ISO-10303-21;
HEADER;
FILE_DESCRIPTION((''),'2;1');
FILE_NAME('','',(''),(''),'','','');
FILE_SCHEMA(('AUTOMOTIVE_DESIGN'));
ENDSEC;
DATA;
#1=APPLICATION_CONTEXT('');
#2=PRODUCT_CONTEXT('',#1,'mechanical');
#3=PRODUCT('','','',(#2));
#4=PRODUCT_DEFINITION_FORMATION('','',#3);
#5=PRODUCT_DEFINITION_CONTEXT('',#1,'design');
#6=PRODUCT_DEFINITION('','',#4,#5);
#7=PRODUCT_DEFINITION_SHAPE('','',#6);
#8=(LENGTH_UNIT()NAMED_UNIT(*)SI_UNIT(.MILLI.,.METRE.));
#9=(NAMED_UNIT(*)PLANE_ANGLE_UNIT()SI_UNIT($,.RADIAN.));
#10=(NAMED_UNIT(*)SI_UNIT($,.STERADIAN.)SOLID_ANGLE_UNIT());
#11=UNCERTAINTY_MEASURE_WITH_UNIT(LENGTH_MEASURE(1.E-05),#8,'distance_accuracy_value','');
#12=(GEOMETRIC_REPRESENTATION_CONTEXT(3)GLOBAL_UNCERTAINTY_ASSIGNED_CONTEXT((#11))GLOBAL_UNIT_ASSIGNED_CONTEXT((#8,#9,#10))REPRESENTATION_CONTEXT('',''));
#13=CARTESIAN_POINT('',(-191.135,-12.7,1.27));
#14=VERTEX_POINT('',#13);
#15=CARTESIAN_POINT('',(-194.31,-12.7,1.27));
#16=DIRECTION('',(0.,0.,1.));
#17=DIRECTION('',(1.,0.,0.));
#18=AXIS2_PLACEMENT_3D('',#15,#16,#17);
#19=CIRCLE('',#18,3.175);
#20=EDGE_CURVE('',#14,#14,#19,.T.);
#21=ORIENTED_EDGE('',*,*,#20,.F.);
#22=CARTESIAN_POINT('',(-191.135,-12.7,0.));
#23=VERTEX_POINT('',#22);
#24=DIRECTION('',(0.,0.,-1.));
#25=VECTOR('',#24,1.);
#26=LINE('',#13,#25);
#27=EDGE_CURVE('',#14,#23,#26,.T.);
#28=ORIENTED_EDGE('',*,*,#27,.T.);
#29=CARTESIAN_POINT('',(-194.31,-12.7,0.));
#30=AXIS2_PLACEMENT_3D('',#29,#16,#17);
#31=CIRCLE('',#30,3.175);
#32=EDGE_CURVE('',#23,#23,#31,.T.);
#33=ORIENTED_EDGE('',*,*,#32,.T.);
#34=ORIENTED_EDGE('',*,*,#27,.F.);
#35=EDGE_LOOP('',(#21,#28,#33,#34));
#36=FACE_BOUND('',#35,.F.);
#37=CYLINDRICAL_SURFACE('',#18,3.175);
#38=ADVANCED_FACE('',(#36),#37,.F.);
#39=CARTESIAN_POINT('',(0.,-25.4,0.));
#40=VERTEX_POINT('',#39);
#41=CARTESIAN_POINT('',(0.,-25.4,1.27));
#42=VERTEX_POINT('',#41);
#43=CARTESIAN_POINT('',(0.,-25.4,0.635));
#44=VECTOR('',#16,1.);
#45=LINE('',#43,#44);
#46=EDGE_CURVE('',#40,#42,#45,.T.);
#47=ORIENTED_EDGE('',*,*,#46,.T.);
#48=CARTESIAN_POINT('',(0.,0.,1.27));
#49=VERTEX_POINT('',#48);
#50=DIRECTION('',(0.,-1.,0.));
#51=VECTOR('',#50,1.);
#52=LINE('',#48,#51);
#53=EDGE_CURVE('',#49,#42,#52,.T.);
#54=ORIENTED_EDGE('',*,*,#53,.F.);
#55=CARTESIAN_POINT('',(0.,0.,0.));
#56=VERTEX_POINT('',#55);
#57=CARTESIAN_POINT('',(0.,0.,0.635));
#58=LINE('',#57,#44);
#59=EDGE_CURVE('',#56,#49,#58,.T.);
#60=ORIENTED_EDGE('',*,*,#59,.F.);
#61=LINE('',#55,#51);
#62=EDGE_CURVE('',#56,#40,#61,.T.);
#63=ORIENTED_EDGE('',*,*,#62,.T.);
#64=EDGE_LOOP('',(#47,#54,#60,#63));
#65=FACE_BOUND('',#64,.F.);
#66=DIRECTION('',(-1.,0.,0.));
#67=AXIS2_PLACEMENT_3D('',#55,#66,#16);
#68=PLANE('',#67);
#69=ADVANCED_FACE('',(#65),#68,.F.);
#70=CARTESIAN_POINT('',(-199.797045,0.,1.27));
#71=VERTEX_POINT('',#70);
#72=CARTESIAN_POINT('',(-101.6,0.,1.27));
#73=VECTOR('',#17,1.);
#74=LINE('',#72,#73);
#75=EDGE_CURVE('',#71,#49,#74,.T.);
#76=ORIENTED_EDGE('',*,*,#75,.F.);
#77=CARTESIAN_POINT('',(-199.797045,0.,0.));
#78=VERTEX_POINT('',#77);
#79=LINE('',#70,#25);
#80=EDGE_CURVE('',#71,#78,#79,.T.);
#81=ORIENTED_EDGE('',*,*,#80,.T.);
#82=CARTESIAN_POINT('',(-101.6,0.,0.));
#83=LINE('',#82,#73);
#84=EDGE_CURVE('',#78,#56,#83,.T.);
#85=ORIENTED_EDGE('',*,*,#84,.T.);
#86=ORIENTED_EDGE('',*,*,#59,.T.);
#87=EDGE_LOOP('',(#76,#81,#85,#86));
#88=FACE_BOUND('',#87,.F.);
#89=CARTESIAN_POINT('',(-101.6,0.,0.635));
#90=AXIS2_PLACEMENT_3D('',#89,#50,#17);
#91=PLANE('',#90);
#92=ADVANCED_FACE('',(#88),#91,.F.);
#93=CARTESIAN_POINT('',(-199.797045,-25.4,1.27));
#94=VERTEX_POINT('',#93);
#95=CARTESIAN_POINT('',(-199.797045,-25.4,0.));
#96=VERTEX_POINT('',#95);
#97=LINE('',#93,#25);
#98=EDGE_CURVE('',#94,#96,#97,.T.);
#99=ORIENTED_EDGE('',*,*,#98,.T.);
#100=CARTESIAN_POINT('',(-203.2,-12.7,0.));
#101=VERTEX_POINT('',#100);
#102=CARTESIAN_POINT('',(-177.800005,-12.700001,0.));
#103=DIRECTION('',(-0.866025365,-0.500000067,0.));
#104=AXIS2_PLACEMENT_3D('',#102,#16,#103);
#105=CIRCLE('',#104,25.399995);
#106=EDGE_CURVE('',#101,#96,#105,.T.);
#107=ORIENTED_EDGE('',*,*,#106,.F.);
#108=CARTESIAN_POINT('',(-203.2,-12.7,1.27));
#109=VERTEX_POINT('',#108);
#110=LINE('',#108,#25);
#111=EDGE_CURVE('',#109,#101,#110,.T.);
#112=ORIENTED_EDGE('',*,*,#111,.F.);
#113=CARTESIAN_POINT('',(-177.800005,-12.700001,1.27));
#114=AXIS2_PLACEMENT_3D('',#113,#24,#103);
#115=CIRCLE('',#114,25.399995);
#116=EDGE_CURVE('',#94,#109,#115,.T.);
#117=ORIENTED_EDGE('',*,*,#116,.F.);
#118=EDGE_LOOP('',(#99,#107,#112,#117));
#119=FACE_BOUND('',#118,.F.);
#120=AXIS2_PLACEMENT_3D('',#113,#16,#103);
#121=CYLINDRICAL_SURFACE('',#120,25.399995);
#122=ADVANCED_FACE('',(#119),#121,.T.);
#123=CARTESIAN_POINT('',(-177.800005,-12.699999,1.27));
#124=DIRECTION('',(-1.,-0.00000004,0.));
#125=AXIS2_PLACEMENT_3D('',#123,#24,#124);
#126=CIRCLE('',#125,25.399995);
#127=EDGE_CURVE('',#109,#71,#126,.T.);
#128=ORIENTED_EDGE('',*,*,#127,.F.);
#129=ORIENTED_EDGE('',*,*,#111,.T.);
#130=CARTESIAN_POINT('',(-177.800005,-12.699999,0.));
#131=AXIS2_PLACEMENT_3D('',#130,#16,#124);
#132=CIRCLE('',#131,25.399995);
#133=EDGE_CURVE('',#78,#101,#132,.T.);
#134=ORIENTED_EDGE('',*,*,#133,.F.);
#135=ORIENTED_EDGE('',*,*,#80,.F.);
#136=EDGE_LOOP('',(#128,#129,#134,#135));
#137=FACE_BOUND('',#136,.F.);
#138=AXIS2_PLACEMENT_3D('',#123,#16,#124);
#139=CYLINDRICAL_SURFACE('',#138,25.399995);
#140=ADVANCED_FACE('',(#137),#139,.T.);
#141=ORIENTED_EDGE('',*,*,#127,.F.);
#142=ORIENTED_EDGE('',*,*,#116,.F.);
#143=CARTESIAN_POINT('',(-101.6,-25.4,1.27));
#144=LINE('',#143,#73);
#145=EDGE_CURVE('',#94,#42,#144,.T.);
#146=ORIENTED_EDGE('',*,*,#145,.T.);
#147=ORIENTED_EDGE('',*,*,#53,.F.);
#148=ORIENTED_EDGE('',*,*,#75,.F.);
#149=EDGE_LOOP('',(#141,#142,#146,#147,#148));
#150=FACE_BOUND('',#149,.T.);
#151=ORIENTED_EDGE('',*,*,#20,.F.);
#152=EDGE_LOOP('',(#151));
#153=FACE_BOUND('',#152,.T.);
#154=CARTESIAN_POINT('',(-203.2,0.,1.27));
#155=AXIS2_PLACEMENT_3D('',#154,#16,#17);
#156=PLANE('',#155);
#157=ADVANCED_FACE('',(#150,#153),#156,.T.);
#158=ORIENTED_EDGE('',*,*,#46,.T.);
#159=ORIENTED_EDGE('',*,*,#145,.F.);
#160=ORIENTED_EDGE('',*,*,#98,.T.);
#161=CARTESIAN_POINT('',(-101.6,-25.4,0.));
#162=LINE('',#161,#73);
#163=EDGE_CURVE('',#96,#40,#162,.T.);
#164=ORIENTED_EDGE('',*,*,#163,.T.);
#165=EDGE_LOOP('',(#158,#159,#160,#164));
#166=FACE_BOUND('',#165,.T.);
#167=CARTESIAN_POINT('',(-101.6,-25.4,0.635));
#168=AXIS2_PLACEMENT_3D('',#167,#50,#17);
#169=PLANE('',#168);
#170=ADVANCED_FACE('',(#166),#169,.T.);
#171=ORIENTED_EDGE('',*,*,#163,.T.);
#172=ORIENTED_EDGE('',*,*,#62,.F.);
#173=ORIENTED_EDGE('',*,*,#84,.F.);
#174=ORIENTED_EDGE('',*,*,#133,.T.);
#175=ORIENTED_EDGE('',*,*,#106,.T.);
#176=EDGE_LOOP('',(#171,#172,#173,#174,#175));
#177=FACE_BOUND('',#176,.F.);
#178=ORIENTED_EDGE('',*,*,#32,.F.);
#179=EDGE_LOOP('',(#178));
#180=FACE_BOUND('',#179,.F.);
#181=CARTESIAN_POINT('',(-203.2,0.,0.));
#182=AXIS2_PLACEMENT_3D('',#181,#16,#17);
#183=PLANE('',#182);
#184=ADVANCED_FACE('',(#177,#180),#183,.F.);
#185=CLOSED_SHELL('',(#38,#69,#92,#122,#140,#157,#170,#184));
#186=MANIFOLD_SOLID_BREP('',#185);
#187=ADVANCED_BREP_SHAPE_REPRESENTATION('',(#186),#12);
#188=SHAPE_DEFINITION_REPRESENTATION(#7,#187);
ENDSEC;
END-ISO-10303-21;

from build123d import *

# Parameters (mm, degrees)
F0_W     = 203.2
F0_H     = 1.27
F1_DEPTH = 25.4
F2_R     = 3.175
F3_DEPTH = 25.4


with BuildPart() as f1:
    # F0 (on Front) → F1 (new body)
    with BuildSketch(Plane.XZ):
        with Locations((-101.6, 0.635)):
            Rectangle(F0_W, F0_H)
    extrude(amount=F1_DEPTH)

    # F2 (on face) → F3 (cut)
    with BuildSketch(Plane.XY.offset(1.27)):
        with BuildLine():
            ThreePointArc((-199.797045, -25.4), (-202.334516, -19.274004), (-203.2, -12.7))
            Line((-203.2, -12.7), (-203.2, -25.4))
            Line((-203.2, -25.4), (-199.797045, -25.4))
        make_face()
        with BuildLine():
            ThreePointArc((-203.2, -12.7), (-202.334516, -6.125996), (-199.797045, 0))
            Line((-199.797045, 0), (-203.2, 0))
            Line((-203.2, 0), (-203.2, -12.7))
        make_face()
        with Locations((-194.31, -12.7)):
            Circle(F2_R)
    extrude(amount=-F3_DEPTH, mode=Mode.SUBTRACT)


solid = f1.part
